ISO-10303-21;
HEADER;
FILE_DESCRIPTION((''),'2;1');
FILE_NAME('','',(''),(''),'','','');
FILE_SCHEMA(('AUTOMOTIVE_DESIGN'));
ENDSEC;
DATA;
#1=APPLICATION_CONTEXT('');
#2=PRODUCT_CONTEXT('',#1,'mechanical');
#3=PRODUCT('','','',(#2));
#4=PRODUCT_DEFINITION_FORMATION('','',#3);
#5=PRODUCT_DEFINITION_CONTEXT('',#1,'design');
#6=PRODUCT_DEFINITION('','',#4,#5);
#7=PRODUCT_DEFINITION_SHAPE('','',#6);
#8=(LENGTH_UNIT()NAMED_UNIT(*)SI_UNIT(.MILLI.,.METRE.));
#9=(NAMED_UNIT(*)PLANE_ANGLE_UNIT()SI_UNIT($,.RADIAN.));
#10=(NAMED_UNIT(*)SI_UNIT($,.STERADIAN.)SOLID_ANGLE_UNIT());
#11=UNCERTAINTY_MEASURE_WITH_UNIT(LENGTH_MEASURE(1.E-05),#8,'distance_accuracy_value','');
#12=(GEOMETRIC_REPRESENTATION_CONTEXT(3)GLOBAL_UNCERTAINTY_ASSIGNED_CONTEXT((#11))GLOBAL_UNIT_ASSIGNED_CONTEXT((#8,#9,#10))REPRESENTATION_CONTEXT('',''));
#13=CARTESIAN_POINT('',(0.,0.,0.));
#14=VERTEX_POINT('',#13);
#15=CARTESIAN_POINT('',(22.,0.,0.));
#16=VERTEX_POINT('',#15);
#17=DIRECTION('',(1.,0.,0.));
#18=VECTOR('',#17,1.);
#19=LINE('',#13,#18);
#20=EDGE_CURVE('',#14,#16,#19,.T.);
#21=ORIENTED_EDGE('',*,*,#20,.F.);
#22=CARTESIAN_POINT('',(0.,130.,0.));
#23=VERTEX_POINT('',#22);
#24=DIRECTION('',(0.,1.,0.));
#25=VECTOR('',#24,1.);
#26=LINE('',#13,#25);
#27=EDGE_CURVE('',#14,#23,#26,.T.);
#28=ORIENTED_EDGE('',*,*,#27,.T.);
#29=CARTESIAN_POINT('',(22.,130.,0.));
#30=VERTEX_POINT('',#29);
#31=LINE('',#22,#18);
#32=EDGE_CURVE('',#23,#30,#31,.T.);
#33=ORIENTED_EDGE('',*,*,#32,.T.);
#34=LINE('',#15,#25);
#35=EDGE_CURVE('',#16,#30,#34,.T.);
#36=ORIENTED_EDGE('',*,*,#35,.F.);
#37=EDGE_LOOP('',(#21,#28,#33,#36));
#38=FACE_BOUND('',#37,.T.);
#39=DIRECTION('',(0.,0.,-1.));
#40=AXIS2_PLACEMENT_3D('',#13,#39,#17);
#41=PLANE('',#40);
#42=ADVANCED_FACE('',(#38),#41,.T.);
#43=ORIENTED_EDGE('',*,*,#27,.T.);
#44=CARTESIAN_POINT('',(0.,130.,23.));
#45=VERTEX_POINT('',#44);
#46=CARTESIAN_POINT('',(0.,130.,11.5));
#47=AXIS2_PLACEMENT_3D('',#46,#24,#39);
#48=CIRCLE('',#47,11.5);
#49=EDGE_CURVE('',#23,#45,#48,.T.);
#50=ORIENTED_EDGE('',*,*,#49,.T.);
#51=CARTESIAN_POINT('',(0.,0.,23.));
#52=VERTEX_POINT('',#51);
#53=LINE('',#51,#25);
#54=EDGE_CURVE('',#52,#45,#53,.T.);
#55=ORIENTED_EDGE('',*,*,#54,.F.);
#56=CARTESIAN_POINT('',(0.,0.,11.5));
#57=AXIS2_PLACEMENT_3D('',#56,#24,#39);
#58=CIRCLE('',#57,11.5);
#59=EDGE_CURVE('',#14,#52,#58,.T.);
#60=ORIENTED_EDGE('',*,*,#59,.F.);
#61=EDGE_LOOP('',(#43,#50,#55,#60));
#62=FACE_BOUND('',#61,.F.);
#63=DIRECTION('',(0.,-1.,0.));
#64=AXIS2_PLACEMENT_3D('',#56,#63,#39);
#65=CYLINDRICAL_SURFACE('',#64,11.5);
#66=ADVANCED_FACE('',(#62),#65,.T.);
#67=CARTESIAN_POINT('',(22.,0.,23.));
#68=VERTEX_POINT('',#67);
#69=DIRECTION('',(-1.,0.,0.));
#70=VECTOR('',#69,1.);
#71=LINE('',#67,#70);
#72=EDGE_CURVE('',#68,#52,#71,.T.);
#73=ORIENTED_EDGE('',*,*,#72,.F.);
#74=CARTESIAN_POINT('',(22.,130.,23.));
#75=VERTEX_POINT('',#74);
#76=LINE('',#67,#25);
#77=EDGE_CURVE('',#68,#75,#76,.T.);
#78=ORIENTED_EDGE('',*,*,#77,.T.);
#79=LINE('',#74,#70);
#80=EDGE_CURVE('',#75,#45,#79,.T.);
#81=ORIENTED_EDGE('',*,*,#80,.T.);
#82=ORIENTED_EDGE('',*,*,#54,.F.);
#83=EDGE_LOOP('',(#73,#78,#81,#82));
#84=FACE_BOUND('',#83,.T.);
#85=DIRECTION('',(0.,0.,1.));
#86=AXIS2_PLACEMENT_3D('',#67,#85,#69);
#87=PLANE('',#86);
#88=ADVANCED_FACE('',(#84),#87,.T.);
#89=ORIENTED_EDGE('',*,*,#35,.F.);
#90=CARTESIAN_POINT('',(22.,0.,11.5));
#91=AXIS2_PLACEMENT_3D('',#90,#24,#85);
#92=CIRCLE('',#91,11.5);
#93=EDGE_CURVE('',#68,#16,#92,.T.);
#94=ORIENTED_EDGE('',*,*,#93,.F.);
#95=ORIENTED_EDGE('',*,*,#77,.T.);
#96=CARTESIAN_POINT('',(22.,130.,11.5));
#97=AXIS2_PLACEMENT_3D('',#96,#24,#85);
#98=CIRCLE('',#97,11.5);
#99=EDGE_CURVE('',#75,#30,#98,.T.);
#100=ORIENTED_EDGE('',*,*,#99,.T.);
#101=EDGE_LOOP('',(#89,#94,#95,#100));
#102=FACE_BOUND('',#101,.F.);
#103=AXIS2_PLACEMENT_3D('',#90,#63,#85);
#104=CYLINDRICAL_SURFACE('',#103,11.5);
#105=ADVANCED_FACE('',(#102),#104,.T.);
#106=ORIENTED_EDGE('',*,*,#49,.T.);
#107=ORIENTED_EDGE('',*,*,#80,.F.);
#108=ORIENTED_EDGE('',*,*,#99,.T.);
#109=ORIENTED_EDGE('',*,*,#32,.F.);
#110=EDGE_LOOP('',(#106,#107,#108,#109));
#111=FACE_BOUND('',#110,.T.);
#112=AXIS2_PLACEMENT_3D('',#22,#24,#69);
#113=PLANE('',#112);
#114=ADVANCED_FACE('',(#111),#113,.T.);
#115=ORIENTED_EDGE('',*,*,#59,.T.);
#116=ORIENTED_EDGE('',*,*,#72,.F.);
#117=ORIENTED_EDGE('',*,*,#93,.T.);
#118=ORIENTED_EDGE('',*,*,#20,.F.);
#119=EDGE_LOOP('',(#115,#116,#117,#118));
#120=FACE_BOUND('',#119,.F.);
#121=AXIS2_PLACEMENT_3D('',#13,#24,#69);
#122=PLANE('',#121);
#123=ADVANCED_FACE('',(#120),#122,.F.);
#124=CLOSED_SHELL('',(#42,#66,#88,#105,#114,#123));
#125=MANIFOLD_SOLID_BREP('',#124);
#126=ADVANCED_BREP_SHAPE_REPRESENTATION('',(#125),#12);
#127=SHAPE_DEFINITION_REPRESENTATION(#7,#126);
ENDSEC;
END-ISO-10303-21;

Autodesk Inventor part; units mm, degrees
ref_plane "YZ Plane" through (0, 0, 0) normal (1, 0, 0) x (0, 1, 0)
ref_plane "XZ Plane" through (0, 0, 0) normal (0, 1, 0) x (-1, 0, 0)
ref_plane "XY Plane" through (0, 0, 0) normal (0, 0, 1) x (1, 0, 0)
sketch "Esquisse1" plane through (0, 0, 0) normal (0, 1, 0) x (-1, 0, 0)
  line L0 (0, 0) -> (-22, 0)
  line L1 (-22, 23) -> (0, 23)
  arc A0 (-22, 23) -> (-22, 0) centre (-22, 11.5) ccw
  arc A1 (0, 0) -> (0, 23) centre (0, 11.5) ccw
  dimension "d0" = 45
  dimension "d2" = 23
extrude "Extrusion1" add sketch "Esquisse1" along normal blind 130
properties part number "petite batterie"
